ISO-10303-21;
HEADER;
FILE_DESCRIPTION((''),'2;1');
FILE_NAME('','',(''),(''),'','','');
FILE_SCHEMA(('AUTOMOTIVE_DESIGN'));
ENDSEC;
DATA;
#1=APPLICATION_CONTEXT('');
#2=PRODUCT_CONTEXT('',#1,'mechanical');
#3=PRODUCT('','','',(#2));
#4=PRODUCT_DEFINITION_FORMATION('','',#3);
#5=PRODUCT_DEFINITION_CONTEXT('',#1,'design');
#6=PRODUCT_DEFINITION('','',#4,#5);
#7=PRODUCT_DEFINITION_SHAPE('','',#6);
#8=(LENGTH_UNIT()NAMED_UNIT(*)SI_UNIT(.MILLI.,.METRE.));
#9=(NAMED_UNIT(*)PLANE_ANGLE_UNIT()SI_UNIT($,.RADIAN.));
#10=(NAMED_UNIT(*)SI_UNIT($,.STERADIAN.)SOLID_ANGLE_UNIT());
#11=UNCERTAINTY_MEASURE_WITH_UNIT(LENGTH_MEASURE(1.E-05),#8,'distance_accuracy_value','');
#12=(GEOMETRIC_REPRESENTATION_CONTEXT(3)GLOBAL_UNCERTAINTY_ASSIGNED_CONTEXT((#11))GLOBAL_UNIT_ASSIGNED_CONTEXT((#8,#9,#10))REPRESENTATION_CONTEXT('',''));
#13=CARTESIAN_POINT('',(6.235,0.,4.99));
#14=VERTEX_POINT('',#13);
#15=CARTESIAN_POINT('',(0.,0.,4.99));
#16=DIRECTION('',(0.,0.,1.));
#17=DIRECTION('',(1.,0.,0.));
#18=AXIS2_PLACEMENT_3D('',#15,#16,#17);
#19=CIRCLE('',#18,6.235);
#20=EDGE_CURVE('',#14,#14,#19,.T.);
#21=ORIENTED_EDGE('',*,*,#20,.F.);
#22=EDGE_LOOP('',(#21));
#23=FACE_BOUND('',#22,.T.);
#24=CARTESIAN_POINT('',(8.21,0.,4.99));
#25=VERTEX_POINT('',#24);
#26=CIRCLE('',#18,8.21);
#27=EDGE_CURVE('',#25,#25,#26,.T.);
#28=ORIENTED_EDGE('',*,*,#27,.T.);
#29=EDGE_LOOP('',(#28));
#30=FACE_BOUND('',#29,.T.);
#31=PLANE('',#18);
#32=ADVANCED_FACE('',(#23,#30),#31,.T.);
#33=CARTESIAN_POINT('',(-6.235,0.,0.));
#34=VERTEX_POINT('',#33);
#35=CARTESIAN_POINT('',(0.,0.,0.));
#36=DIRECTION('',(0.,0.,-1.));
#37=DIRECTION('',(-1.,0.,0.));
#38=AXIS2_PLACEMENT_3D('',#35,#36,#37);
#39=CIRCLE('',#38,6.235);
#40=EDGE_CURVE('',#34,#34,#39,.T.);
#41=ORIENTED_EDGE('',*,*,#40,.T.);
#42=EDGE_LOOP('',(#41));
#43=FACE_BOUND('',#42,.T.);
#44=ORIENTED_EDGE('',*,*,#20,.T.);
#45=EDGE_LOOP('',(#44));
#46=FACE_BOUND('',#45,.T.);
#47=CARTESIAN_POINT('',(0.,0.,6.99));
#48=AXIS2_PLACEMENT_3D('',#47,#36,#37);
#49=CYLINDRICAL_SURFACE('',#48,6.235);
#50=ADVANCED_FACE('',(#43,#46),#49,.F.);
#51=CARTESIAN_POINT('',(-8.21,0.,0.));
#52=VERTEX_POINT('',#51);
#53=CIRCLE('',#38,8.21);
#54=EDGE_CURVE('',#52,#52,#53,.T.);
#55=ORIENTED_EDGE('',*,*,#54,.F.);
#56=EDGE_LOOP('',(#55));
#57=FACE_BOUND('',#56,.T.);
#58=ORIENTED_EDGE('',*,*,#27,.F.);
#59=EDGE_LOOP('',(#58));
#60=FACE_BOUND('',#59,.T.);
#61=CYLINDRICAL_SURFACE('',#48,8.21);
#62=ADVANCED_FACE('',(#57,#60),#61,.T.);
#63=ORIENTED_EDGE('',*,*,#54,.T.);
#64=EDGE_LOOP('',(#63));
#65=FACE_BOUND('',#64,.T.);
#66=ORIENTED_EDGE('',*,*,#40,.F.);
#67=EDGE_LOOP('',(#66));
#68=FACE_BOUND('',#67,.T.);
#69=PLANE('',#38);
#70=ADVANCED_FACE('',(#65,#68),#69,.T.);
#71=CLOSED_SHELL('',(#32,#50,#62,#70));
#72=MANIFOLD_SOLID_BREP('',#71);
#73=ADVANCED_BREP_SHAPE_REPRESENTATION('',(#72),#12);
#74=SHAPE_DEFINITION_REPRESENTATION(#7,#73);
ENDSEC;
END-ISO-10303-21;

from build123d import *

# Parameters (mm, degrees)
SKETCH2_R           = 8.21
SKETCH2_R_2         = 6.235
BOSS_EXTRUDE1_DEPTH = 6.99
CUT_EXTRUDE3_START  = -2
SKETCH3_R           = 8.21
SKETCH3_R_2         = 6.235
CUT_EXTRUDE3_DEPTH  = 2
BOSS_EXTRUDE2_START = 2
SKETCH4_R           = 8.21
SKETCH4_R_2         = 6.235
BOSS_EXTRUDE2_DEPTH = 2
SKETCH7_R           = 8.21
SKETCH7_R_2         = 6.235
CUT_EXTRUDE4_DEPTH  = 2


with BuildPart() as part:
    # Sketch2 → Boss-Extrude1 (new body)
    with BuildSketch(Plane.XY):
        Circle(SKETCH2_R)
        Circle(SKETCH2_R_2, mode=Mode.SUBTRACT)
    extrude(amount=BOSS_EXTRUDE1_DEPTH)

    # Sketch3 → Cut-Extrude3 (cut)
    with BuildSketch(Plane.XY.offset(6.99).offset(CUT_EXTRUDE3_START)):
        Circle(SKETCH3_R)
        Circle(SKETCH3_R_2, mode=Mode.SUBTRACT)
    extrude(amount=CUT_EXTRUDE3_DEPTH, mode=Mode.SUBTRACT)

    # Sketch4 → Boss-Extrude2 (add)
    with BuildSketch(Plane(origin=(0, 0, 0), x_dir=(-1, 0, 0), z_dir=(0, 0, -1)).offset(BOSS_EXTRUDE2_START)):
        Circle(SKETCH4_R)
        Circle(SKETCH4_R_2, mode=Mode.SUBTRACT)
    extrude(amount=-BOSS_EXTRUDE2_DEPTH)

    # Sketch7 → Cut-Extrude4 (cut)
    with BuildSketch(Plane(origin=(0, 0, -2), x_dir=(-1, 0, 0), z_dir=(0, 0, -1))):
        Circle(SKETCH7_R)
        Circle(SKETCH7_R_2, mode=Mode.SUBTRACT)
    extrude(amount=-CUT_EXTRUDE4_DEPTH, mode=Mode.SUBTRACT)


solid = part.part
